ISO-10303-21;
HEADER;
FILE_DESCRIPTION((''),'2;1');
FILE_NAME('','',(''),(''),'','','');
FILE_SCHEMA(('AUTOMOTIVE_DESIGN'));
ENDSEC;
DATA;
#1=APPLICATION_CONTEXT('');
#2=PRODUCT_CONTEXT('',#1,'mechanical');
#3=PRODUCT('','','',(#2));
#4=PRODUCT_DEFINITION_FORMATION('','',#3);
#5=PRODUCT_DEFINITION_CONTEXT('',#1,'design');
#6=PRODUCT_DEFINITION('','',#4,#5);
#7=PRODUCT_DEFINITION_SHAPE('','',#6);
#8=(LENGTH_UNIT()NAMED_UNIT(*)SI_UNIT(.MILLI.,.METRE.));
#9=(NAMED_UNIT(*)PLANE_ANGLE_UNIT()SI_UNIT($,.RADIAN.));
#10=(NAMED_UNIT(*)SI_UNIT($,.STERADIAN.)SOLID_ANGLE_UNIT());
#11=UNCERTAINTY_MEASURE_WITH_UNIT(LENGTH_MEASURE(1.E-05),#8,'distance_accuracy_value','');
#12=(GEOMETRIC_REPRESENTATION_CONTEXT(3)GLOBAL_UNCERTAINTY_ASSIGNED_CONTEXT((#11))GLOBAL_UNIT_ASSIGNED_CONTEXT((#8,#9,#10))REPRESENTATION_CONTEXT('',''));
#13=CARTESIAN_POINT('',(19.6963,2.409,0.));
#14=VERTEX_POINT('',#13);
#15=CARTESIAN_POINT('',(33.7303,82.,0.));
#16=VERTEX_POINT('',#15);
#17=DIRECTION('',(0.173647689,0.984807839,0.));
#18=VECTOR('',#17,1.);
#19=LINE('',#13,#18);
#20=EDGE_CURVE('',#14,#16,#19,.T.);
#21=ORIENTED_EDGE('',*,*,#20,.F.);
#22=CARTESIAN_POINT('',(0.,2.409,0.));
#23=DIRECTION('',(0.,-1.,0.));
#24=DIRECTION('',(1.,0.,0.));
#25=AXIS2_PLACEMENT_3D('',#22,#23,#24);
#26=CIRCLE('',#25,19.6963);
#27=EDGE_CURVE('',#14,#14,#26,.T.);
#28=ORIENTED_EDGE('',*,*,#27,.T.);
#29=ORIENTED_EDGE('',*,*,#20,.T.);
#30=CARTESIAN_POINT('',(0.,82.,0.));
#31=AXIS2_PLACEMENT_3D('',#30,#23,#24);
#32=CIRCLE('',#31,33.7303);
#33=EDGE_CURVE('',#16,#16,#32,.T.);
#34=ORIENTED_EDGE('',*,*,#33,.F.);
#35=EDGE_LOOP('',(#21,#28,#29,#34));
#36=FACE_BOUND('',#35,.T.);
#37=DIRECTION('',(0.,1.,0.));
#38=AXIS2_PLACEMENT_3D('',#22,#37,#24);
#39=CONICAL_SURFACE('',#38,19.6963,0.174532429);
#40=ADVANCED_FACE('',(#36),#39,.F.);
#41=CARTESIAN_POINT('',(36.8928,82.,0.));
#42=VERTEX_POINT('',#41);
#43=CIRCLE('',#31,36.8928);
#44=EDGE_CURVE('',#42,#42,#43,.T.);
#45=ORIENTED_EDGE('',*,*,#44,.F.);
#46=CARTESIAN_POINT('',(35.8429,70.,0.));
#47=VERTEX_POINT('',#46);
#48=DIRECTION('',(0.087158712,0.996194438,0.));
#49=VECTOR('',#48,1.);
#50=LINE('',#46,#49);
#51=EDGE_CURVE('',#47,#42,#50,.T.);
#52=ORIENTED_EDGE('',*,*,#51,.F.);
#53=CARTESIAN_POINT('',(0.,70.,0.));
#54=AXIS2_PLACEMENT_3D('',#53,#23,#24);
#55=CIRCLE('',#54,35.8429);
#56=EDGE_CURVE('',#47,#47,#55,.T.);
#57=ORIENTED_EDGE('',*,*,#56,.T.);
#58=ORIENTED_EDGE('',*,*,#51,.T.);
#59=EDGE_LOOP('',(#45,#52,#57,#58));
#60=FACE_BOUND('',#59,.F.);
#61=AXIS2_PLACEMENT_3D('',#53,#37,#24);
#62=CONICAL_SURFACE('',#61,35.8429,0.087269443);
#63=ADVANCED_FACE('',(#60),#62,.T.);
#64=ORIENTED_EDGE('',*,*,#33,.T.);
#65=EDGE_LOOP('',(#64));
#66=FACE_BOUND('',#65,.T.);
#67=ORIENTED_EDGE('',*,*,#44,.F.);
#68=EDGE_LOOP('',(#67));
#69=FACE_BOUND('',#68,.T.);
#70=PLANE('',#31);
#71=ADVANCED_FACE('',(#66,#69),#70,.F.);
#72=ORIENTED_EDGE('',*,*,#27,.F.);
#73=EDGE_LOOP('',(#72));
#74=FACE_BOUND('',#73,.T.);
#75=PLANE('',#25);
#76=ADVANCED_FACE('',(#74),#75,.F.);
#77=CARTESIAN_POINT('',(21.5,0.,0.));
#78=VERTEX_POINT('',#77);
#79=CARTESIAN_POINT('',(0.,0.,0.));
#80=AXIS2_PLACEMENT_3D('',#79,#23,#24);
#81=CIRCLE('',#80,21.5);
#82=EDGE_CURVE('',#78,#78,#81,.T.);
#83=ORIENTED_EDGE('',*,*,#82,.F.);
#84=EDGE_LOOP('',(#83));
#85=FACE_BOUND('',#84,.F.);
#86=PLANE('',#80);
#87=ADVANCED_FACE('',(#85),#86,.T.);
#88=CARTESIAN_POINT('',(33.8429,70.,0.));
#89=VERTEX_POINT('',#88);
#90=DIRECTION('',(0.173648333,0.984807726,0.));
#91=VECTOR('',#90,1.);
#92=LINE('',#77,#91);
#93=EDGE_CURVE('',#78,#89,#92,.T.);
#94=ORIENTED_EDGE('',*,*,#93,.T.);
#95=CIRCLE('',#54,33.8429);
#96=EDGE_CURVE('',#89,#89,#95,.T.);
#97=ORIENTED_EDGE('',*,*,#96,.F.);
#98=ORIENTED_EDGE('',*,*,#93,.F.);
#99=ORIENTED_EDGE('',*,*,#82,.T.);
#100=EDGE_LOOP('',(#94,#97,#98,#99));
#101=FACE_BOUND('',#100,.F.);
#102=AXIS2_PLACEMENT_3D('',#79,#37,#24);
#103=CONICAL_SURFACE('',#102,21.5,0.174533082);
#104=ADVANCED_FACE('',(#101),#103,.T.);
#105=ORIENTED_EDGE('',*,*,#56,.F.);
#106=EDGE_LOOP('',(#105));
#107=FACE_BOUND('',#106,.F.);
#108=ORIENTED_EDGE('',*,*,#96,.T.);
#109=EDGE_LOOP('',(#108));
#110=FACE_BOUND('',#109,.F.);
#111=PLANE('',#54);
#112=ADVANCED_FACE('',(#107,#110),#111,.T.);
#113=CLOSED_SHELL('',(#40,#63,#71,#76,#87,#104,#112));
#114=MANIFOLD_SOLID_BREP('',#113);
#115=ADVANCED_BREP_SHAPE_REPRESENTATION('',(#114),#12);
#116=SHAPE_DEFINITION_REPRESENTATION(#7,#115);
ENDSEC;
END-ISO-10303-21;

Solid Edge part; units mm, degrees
sketch "Sketch1" plane through (0, 0, 0) normal (0, 0, 1) x (1, 0, 0)
  line L0 (35.8429, 70) -> (36.8928, 82)
  line L1 (33.7303, 82) -> (36.8928, 82)
  line L2 (19.6963, 2.409) -> (33.7303, 82)
  line L3 (0, 2.409) -> (19.6963, 2.409)
  line L4 (0, 0) -> (0, 2.409)
  line L5 (0, 0) -> (21.5, 0)
  line L6 (21.5, 0) -> (33.8429, 70)
  line L7 (33.8429, 70) -> (35.8429, 70)
revolve "RevolvedProtrusion1" add sketch "Sketch1" angle 360 about axis through (0, 82, 0) along (0, -1, 0)
properties material "Polietileno, baja densidad"
